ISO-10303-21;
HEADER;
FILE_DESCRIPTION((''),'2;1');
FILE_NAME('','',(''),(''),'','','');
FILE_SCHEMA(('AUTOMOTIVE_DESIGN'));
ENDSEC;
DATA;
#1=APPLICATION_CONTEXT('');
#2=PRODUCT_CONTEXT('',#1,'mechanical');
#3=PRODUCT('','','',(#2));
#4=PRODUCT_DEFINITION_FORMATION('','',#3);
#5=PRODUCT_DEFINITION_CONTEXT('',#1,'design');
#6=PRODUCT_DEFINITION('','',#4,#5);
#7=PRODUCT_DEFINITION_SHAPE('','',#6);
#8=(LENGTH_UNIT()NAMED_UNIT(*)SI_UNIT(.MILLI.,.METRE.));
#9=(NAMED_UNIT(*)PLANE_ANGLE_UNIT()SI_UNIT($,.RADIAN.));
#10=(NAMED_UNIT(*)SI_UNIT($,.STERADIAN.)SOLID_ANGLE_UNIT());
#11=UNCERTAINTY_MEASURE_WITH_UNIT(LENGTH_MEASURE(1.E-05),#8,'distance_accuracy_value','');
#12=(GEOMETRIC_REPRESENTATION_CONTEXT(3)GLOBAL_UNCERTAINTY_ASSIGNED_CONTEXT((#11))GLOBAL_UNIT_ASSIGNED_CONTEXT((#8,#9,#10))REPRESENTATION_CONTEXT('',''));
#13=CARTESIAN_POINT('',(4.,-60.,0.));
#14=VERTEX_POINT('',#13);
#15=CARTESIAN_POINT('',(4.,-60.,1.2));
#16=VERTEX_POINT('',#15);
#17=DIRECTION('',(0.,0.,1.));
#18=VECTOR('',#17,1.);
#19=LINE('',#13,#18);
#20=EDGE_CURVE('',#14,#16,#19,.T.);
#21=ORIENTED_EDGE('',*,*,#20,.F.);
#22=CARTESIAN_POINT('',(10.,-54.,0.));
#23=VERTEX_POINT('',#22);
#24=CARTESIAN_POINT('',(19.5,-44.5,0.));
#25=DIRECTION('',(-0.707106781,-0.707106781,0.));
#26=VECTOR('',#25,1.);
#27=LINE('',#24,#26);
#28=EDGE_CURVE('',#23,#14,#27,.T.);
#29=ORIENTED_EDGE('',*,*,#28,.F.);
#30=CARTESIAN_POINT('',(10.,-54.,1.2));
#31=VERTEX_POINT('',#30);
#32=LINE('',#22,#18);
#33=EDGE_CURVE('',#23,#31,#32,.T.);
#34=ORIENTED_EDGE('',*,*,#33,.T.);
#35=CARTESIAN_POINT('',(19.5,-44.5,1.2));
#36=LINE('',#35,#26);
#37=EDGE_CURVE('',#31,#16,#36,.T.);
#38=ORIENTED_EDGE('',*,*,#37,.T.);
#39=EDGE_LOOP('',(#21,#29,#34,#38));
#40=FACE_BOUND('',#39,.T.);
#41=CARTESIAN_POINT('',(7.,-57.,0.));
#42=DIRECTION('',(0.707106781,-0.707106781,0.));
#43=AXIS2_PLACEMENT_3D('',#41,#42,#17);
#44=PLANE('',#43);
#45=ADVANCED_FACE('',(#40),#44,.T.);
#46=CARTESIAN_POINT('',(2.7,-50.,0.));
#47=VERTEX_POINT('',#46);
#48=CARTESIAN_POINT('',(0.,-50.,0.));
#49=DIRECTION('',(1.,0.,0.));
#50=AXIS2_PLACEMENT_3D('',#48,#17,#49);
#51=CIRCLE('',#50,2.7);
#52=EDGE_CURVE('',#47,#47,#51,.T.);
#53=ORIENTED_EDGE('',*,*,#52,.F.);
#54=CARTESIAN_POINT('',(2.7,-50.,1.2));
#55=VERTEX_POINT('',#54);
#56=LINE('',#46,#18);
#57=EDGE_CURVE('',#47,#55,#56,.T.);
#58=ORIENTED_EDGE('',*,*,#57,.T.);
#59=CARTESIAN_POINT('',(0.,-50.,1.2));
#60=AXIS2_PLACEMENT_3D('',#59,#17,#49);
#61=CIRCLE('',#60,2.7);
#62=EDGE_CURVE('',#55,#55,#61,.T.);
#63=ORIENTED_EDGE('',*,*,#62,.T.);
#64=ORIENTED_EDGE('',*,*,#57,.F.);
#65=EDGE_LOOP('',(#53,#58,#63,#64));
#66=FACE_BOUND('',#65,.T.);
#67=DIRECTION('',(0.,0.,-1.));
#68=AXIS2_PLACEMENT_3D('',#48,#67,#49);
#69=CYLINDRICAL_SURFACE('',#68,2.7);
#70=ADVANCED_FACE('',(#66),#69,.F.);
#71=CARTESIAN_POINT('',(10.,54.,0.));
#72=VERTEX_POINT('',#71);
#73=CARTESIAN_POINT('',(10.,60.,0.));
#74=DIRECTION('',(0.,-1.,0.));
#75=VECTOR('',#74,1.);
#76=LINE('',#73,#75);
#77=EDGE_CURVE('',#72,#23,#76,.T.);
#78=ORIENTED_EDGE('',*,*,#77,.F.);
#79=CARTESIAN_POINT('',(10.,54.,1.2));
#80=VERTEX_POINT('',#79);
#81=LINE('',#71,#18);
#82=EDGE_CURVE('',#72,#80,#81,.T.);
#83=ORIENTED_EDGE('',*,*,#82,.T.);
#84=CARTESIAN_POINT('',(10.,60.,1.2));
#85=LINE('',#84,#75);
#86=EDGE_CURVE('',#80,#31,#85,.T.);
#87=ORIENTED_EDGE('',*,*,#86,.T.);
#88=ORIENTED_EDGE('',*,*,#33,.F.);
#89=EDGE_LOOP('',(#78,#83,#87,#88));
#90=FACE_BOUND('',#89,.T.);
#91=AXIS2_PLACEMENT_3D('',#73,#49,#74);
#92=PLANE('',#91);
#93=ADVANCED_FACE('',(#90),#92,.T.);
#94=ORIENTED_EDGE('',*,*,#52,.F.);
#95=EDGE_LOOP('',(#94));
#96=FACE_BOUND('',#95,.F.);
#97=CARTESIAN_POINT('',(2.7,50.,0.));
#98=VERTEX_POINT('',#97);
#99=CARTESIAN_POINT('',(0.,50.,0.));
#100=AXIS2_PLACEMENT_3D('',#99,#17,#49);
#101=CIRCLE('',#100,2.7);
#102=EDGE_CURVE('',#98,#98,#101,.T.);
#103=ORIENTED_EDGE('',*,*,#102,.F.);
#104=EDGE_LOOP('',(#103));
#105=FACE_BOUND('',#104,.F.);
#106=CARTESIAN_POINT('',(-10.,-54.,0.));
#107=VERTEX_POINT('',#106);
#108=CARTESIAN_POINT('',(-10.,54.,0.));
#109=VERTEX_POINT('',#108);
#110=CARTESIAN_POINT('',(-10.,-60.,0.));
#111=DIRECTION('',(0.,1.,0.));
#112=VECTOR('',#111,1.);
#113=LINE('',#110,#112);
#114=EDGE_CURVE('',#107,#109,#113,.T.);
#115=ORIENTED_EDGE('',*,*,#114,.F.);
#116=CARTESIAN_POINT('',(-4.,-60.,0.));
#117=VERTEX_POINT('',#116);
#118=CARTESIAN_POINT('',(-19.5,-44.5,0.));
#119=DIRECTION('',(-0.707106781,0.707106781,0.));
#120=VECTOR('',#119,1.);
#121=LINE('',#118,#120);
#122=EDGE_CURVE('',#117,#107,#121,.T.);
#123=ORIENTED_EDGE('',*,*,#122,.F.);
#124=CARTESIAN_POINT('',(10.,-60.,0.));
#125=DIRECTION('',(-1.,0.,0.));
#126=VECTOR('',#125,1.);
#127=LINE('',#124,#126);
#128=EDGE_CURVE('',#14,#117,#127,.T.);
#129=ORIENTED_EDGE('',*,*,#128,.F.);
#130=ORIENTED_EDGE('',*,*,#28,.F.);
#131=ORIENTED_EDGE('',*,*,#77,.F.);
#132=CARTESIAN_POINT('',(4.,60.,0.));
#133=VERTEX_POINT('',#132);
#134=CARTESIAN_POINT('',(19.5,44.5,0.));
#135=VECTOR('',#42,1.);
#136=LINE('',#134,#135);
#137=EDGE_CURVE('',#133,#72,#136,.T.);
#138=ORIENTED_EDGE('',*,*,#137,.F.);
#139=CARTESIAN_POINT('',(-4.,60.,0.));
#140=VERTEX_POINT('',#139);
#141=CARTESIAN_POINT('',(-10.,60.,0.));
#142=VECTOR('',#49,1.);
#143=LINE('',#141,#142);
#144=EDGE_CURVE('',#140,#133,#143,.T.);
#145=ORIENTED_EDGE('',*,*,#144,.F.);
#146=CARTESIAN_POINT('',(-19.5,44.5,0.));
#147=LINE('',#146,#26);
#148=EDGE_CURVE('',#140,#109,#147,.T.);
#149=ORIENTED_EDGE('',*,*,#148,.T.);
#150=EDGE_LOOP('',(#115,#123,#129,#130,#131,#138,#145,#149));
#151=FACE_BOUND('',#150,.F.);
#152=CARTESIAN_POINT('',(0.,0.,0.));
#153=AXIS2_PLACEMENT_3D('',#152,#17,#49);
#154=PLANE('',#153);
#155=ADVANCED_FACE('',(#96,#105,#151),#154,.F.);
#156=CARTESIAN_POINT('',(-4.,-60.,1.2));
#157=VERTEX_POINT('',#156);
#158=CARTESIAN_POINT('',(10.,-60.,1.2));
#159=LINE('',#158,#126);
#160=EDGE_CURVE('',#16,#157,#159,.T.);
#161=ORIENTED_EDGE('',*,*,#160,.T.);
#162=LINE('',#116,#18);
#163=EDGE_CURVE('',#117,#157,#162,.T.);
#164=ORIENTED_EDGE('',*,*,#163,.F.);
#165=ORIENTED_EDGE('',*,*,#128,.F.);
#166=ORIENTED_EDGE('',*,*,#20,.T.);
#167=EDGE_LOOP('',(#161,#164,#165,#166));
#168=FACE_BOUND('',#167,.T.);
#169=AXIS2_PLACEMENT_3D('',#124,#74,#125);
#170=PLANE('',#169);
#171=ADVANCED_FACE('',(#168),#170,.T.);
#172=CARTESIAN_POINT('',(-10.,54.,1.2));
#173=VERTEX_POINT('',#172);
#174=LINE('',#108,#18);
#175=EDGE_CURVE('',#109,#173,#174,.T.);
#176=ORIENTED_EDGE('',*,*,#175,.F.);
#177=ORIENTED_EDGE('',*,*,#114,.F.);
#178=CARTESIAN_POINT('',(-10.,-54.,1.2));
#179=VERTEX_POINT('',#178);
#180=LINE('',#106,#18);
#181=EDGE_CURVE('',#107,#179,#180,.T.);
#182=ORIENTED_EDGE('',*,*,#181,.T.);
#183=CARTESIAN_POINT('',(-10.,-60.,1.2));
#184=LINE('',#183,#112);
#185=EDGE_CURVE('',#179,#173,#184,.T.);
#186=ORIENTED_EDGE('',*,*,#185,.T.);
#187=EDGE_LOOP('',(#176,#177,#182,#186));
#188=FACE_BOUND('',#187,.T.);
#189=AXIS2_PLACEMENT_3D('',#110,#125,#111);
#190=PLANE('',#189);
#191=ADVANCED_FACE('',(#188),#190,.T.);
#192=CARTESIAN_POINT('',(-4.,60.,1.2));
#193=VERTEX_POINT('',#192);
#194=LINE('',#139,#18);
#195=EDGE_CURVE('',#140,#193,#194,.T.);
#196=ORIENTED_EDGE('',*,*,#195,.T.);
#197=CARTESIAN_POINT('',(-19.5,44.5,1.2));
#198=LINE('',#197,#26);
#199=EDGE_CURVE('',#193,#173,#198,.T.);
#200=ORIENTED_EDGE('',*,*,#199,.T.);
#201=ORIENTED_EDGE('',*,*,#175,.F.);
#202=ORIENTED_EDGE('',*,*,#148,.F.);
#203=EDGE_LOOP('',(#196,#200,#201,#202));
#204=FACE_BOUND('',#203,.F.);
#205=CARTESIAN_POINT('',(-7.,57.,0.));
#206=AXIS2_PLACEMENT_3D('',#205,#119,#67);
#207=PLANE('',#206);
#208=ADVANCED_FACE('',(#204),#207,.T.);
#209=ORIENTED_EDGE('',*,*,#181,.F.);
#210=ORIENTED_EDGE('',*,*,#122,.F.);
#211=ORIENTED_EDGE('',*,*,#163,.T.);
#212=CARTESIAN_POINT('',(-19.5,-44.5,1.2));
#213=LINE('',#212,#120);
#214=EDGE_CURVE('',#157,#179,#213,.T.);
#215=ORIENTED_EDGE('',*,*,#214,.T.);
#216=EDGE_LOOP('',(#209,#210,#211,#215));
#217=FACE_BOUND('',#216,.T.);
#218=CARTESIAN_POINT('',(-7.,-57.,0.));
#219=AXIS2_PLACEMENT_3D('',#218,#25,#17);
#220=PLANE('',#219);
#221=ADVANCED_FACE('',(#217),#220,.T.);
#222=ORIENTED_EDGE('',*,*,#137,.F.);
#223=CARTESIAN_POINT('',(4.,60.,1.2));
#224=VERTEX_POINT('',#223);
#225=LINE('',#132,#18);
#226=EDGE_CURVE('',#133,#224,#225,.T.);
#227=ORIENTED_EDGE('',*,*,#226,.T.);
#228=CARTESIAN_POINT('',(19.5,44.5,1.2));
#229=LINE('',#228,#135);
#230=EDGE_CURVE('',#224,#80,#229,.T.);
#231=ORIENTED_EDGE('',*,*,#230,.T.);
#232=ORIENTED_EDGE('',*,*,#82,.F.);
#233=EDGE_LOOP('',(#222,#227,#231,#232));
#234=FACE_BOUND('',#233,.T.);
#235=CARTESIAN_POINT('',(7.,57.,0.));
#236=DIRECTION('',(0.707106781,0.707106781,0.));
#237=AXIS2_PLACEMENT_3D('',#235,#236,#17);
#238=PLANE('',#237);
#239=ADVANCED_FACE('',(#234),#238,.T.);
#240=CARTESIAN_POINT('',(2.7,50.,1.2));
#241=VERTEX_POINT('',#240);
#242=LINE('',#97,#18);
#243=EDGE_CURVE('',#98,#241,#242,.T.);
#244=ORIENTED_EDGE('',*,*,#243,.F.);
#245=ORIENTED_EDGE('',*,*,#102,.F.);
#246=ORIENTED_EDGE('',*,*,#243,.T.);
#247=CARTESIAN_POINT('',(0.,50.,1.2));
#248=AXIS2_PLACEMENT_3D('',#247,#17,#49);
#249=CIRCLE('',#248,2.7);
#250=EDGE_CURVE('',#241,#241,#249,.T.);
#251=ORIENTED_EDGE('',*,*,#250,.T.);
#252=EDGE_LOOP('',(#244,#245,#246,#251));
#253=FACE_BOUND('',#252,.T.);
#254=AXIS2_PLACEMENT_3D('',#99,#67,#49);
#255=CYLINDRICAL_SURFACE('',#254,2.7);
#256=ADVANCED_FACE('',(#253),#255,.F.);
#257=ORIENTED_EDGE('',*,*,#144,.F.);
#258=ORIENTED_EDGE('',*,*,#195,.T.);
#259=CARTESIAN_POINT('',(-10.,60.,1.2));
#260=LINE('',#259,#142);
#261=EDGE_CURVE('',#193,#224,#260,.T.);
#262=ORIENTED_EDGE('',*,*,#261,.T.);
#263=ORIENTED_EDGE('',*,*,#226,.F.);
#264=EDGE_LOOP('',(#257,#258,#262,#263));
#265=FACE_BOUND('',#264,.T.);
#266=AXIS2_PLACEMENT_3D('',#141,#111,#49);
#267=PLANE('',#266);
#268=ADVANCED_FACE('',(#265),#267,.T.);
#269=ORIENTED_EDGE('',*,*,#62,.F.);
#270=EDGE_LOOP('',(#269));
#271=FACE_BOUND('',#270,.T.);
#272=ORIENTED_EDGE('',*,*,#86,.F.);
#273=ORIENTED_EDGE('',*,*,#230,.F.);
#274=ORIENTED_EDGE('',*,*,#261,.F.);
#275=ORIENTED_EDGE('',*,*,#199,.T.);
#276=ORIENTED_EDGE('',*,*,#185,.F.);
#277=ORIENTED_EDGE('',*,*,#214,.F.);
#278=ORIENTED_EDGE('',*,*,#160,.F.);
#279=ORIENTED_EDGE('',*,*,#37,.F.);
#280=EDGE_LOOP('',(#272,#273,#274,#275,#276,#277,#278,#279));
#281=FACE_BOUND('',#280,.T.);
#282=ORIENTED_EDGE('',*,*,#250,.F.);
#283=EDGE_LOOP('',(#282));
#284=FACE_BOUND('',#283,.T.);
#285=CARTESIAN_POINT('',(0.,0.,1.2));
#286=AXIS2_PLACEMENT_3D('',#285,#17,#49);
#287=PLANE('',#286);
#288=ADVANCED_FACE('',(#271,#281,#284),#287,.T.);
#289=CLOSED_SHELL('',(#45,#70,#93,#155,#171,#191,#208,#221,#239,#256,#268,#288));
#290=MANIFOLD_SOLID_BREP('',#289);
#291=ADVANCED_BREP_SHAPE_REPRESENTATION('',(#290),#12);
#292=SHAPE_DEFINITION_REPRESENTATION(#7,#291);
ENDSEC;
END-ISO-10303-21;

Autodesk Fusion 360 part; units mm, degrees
sketch "Sketch1" plane through (0, 0, 0) normal (0, 0, 1) x (1, 0, 0)
  line L0 (-10, 60) -> (10, 60)
  line L1 (10, 60) -> (10, -60)
  line L2 (10, -60) -> (-10, -60)
  line L3 (-10, -60) -> (-10, 60)
  line L4 (-10, 60) -> (10, -60) construction
  line L5 (10, 60) -> (-10, -60) construction
  circle A0 centre (0, -50) radius 2.7
  line L6 (0, -50) -> (-10, -50) construction
  line L7 (0, -50) -> (0, -60) construction
  line L8 (90, 0) -> (-64.2965, 0) construction
  circle A1 centre (0, 50) radius 2.7
  dimension "d1" = 120
  dimension "d2" = 20
  dimension "d3" = 5.4
extrude "Extrude1" add sketch "Sketch1" along normal blind 1.2
chamfer "Chamfer1" distance 6 angle 45 2 edges at (10, -60, 0.6) (-10, -60, 0.6)
chamfer "Chamfer1" distance 6 angle 45 2 edges at (10, 60, 0.6) (-10, 60, 0.6)
